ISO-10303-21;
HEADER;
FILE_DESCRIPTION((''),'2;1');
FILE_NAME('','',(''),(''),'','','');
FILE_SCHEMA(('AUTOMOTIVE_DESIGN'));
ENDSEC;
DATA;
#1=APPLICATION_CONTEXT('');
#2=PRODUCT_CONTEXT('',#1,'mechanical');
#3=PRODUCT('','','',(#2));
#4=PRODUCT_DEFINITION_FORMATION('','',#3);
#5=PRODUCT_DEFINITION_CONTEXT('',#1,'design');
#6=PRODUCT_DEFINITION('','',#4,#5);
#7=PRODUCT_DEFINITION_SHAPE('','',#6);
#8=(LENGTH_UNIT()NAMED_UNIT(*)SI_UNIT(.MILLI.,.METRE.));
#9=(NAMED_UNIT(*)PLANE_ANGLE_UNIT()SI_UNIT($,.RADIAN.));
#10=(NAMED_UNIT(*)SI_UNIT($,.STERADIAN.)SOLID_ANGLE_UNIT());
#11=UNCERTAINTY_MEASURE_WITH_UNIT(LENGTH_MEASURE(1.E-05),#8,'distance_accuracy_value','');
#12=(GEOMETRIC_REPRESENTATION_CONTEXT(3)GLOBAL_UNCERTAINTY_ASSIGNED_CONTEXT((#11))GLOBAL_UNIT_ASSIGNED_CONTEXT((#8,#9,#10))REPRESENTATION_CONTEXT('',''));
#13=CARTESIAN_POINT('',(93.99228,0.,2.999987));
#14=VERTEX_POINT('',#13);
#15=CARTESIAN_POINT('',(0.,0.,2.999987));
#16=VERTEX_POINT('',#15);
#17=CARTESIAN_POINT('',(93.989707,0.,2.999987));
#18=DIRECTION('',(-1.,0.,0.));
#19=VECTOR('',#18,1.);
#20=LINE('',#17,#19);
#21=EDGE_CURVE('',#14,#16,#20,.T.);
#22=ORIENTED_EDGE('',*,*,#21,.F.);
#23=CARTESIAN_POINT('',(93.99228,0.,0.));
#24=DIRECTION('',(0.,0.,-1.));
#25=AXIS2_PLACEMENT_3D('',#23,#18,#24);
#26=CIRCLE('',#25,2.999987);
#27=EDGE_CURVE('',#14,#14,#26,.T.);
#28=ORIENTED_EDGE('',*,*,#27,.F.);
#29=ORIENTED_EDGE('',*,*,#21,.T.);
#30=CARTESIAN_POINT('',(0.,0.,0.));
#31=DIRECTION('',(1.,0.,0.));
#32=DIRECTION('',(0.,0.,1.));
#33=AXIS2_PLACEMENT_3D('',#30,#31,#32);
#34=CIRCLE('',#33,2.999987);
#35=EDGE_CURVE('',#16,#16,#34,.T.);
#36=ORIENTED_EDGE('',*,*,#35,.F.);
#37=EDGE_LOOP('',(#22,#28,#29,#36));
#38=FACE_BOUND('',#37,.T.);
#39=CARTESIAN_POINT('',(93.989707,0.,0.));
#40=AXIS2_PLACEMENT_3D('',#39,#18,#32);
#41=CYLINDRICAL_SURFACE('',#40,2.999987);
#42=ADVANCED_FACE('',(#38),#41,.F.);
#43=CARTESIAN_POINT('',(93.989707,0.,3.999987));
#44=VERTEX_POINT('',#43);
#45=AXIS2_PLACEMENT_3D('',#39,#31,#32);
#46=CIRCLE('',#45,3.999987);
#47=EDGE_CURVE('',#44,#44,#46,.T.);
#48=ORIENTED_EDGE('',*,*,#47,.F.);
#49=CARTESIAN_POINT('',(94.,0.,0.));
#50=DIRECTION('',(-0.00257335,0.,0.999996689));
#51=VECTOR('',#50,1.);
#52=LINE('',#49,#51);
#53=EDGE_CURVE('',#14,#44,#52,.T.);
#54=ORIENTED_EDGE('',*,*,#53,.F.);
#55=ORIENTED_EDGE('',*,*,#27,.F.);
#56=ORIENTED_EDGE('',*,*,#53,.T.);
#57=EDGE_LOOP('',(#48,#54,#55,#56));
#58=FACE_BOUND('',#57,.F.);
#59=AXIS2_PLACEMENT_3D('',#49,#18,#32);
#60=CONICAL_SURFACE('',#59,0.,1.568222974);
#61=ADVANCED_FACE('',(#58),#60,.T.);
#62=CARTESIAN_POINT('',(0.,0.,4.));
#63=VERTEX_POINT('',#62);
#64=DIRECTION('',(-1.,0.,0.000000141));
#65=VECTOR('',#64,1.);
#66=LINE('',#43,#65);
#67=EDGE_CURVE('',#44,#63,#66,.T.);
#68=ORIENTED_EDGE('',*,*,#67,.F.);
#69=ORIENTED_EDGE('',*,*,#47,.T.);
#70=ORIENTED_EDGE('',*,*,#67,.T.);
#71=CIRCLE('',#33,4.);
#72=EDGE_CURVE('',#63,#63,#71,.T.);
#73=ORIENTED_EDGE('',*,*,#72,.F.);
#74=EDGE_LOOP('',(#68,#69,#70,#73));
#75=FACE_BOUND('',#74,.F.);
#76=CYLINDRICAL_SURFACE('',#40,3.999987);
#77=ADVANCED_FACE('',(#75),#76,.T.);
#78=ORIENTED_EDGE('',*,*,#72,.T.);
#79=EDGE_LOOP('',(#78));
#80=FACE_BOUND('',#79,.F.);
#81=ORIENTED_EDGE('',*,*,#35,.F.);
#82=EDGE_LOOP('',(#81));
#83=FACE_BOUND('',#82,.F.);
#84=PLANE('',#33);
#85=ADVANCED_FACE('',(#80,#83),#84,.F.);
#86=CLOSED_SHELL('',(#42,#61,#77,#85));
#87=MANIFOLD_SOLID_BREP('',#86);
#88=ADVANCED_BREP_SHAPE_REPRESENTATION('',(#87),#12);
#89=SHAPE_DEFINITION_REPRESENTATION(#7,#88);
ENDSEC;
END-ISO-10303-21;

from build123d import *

# Parameters (mm, degrees)
F1_T = -1


with BuildPart() as f3:
    # F0 (on Front) → F3 (revolve)
    with BuildSketch(Plane.XZ):
        Polygon((0, 4), (0, 0), (94, 0), (93.9897066, 3.9999867557), align=None)
    revolve(axis=Axis((39.8402512074, 0, 0), (1, 0, 0)))

    # F1
    f1_openings = [f3.faces().sort_by_distance(p)[0] for p in [
        (93.994853, 0, -1.999993),
        (0, 0, 0),
    ]]
    offset(amount=F1_T, openings=f1_openings)


solid = f3.part
